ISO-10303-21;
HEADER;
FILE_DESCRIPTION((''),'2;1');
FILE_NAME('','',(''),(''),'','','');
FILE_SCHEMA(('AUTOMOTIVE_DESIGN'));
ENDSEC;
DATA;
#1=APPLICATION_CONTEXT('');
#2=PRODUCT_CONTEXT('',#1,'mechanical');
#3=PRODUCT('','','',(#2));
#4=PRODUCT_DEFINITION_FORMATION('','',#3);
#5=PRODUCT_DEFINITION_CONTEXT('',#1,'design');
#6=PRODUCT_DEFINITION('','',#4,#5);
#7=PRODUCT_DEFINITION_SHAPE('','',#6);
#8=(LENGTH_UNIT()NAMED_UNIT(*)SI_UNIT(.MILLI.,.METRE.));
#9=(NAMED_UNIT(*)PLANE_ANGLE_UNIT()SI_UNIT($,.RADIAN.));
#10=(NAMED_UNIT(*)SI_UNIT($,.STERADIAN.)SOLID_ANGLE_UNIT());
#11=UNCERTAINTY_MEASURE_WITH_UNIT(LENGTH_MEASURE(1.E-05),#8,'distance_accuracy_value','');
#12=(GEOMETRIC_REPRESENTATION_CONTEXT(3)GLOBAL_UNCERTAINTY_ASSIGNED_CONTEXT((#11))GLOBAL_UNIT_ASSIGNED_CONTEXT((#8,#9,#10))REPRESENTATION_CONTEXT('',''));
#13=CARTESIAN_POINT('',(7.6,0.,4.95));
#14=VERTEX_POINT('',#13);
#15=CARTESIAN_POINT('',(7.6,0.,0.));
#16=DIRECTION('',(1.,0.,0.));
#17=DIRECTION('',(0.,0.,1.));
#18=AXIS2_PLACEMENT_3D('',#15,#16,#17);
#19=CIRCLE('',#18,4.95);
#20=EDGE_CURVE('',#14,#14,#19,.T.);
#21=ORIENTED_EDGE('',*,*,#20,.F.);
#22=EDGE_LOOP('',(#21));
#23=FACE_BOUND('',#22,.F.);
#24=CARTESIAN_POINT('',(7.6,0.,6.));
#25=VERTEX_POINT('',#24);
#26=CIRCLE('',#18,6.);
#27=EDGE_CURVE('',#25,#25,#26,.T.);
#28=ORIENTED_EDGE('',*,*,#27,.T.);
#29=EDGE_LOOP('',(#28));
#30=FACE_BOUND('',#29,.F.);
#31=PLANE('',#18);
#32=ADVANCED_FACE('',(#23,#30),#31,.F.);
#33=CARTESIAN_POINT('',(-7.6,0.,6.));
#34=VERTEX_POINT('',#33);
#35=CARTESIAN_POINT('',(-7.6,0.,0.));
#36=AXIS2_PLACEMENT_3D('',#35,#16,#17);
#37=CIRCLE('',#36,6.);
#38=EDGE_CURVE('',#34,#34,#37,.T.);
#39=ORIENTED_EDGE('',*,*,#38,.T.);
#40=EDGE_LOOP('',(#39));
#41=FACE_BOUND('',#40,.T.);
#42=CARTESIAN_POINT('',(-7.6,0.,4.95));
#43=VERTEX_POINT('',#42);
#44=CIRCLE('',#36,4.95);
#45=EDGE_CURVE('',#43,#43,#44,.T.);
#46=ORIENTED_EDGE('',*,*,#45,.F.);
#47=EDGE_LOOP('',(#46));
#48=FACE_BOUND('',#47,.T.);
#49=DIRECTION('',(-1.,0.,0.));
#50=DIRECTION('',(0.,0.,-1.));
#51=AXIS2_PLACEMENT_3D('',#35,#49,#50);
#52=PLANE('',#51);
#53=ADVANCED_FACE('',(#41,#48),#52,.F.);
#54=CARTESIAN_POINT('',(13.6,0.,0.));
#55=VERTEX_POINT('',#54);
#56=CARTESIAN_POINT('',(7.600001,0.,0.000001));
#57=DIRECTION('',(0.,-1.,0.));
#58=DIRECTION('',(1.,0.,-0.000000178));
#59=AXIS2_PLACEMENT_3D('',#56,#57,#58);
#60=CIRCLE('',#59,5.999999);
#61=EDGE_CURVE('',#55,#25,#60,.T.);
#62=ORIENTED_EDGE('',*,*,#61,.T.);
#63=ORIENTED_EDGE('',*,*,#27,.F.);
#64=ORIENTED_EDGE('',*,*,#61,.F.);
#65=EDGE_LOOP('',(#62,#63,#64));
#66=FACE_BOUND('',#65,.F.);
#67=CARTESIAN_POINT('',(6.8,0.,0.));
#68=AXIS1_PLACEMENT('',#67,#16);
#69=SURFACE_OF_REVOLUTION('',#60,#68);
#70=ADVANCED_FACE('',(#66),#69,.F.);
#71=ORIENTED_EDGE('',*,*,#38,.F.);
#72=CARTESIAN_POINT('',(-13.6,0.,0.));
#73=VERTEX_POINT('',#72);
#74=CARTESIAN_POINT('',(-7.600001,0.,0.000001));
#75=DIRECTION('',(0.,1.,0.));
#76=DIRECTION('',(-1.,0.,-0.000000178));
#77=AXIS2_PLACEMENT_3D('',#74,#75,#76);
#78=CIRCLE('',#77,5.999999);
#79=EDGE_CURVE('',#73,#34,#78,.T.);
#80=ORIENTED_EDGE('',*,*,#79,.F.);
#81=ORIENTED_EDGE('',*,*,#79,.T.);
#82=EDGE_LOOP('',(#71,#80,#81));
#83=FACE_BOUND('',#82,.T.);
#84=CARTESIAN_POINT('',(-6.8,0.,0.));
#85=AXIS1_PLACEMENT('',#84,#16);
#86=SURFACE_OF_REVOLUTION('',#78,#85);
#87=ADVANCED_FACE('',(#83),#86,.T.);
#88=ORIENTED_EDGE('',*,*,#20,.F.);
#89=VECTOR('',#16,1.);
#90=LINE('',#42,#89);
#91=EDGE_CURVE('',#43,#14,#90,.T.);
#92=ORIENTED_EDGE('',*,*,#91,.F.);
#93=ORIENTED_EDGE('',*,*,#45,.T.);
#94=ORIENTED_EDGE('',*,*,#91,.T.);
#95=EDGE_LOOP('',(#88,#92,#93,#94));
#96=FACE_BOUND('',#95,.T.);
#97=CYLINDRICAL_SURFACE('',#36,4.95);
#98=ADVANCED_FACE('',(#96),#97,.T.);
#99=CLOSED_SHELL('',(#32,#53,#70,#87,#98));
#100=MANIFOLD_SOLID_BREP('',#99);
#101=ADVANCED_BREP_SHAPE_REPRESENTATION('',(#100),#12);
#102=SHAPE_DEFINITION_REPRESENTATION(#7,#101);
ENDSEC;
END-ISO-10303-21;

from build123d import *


with BuildPart() as f1:
    # F0 (on Front) → F1 (revolve)
    with BuildSketch(Plane.XZ):
        with BuildLine():
            Line((0, 4.95), (0, 0))
            Line((0, 0), (13.6, 0))
            ThreePointArc((13.6, 0), (11.842641, 4.242641), (7.6, 6))
            Line((7.6, 6), (7.6, 4.95))
            Line((7.6, 4.95), (0, 4.95))
        make_face()
    revolve(axis=Axis((6.8, 0, 0), (1, 0, 0)))

    # F2: F1 across face


with BuildPart() as f1_1:
    add(f1.part)
    add(f1.part.mirror(Plane(origin=(0, 0, 0), x_dir=(0, -1, 0), z_dir=(-1, 0, 0))))


solid = f1_1.part
